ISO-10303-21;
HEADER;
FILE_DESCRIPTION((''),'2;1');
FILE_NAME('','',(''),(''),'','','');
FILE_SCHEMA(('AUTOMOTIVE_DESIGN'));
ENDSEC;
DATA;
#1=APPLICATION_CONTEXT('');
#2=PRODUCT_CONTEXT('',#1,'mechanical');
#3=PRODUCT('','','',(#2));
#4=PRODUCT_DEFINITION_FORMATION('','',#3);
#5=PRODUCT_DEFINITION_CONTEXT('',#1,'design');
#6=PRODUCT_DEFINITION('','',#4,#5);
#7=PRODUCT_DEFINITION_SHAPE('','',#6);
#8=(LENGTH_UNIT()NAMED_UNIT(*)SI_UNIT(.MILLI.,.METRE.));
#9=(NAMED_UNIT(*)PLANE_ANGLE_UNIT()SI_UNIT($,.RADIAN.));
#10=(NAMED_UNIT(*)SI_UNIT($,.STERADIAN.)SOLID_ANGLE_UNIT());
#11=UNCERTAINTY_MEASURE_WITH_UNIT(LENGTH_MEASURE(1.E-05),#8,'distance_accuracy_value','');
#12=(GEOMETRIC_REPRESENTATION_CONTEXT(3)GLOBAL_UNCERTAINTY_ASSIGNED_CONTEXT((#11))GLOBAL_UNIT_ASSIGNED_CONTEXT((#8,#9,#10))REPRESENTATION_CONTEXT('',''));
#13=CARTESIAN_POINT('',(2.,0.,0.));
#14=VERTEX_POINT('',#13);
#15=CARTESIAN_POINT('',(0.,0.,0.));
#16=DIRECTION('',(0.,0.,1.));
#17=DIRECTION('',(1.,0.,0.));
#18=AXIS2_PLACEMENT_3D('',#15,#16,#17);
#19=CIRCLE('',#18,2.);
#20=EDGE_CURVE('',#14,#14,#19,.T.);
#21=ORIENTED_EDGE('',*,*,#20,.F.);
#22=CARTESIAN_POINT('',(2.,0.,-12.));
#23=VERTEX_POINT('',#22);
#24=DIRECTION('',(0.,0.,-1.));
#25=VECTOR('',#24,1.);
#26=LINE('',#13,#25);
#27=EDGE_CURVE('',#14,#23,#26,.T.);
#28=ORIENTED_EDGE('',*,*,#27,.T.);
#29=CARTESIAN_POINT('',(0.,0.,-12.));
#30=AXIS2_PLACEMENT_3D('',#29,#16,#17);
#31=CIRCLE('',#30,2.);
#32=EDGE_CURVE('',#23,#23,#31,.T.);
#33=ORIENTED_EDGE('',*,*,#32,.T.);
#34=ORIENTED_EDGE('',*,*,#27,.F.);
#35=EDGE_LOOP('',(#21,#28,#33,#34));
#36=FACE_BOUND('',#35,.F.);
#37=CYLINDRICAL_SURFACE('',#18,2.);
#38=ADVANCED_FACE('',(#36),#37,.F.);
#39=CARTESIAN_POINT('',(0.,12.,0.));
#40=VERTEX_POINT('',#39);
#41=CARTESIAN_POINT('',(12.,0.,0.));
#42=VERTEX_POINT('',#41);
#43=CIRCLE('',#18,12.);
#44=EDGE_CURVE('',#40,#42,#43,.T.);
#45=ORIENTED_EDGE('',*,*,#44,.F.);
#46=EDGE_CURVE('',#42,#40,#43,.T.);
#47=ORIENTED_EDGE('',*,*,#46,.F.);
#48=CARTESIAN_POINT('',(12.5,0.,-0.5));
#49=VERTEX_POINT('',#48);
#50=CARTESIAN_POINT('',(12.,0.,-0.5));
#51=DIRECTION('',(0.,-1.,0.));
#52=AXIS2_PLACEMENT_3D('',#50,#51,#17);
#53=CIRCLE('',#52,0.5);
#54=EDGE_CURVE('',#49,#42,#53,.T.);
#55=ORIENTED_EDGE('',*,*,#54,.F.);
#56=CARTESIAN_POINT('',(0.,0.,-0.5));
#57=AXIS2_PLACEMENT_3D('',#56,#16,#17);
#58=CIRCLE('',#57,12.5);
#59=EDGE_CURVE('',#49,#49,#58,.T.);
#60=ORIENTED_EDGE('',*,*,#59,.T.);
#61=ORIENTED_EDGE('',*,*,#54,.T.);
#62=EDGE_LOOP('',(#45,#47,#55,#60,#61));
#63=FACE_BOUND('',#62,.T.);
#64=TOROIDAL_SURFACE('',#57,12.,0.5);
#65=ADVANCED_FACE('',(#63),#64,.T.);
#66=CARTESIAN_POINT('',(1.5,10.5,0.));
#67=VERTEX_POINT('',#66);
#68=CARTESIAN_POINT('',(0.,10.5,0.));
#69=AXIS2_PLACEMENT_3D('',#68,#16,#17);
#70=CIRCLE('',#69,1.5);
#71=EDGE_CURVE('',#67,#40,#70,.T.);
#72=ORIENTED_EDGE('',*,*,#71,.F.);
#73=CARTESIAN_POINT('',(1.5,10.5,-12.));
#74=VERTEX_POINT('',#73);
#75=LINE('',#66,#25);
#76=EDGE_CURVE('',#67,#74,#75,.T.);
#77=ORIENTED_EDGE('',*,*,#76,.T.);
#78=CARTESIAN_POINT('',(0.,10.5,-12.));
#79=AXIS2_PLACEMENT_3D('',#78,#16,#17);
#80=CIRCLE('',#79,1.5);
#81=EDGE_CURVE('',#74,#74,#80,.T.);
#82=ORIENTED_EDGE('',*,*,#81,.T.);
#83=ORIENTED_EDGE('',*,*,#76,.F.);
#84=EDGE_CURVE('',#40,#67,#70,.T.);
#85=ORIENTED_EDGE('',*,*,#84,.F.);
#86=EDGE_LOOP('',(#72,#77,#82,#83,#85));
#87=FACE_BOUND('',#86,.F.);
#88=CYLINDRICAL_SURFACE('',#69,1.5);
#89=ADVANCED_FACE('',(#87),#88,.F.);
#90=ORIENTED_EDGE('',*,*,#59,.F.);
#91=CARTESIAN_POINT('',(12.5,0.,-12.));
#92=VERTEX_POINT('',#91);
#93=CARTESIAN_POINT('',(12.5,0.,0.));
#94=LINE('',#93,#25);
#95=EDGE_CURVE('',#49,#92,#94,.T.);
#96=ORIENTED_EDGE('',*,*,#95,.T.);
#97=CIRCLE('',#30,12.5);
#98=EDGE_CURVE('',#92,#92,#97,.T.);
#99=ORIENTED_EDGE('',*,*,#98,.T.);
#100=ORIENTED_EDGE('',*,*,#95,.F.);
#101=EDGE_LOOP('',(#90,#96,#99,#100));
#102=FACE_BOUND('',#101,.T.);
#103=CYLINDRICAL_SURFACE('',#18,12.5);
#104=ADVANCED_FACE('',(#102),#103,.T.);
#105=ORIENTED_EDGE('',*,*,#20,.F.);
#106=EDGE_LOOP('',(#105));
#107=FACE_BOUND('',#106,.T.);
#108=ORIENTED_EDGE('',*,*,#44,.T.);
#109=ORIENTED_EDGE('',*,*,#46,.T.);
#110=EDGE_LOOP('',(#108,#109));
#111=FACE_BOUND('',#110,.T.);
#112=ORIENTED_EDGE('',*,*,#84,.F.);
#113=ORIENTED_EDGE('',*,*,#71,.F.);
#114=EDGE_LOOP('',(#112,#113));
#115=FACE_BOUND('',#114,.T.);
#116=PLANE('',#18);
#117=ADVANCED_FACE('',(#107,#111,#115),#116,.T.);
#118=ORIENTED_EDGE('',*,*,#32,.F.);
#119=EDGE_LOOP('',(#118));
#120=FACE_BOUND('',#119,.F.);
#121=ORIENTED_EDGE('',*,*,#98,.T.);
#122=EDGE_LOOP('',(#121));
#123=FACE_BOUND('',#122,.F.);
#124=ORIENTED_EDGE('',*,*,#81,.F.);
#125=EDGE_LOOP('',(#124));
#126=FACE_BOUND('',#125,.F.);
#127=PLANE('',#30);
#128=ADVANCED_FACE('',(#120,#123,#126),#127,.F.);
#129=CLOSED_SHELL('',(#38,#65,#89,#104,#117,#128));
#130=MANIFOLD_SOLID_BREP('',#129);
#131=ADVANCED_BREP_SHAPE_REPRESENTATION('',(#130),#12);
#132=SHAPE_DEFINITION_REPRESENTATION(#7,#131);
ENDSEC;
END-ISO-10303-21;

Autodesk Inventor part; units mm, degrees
ref_plane "YZ Plane" through (0, 0, 0) normal (1, 0, 0) x (0, 1, 0)
ref_plane "XZ Plane" through (0, 0, 0) normal (0, 1, 0) x (-1, 0, 0)
ref_plane "XY Plane" through (0, 0, 0) normal (0, 0, 1) x (1, 0, 0)
sketch "Esboço1" plane through (0, 0, 0) normal (0, 0, 1) x (1, 0, 0)
  circle A0 centre (0, 0) radius 12.5
  circle A1 centre (0, 0) radius 2
  dimension "d0" = 25
  dimension "d1" = 4
extrude "Extrusão1" add sketch "Esboço1" against normal blind 12
sketch "Esboço2" plane through (0, 0, 0) normal (0, 0, 1) x (1, 0, 0)
  point P0 (0, 0)
fillet "Arredondamento1" radius 0.5 1 edges at (-12.5, 0, 0)
sketch "Esboço3" plane through (0, 0, 0) normal (0, 0, 1) x (1, 0, 0)
  circle A0 centre (0, 10.5) radius 1.5
  circle A1 centre (0, 0) radius 12 projected
  dimension "d5" = 3
extrude "Extrusão2" cut sketch "Esboço3" against normal blind 12 contours A0
properties part number "crank_wheel" material "Aluminum 6061-AHC"
